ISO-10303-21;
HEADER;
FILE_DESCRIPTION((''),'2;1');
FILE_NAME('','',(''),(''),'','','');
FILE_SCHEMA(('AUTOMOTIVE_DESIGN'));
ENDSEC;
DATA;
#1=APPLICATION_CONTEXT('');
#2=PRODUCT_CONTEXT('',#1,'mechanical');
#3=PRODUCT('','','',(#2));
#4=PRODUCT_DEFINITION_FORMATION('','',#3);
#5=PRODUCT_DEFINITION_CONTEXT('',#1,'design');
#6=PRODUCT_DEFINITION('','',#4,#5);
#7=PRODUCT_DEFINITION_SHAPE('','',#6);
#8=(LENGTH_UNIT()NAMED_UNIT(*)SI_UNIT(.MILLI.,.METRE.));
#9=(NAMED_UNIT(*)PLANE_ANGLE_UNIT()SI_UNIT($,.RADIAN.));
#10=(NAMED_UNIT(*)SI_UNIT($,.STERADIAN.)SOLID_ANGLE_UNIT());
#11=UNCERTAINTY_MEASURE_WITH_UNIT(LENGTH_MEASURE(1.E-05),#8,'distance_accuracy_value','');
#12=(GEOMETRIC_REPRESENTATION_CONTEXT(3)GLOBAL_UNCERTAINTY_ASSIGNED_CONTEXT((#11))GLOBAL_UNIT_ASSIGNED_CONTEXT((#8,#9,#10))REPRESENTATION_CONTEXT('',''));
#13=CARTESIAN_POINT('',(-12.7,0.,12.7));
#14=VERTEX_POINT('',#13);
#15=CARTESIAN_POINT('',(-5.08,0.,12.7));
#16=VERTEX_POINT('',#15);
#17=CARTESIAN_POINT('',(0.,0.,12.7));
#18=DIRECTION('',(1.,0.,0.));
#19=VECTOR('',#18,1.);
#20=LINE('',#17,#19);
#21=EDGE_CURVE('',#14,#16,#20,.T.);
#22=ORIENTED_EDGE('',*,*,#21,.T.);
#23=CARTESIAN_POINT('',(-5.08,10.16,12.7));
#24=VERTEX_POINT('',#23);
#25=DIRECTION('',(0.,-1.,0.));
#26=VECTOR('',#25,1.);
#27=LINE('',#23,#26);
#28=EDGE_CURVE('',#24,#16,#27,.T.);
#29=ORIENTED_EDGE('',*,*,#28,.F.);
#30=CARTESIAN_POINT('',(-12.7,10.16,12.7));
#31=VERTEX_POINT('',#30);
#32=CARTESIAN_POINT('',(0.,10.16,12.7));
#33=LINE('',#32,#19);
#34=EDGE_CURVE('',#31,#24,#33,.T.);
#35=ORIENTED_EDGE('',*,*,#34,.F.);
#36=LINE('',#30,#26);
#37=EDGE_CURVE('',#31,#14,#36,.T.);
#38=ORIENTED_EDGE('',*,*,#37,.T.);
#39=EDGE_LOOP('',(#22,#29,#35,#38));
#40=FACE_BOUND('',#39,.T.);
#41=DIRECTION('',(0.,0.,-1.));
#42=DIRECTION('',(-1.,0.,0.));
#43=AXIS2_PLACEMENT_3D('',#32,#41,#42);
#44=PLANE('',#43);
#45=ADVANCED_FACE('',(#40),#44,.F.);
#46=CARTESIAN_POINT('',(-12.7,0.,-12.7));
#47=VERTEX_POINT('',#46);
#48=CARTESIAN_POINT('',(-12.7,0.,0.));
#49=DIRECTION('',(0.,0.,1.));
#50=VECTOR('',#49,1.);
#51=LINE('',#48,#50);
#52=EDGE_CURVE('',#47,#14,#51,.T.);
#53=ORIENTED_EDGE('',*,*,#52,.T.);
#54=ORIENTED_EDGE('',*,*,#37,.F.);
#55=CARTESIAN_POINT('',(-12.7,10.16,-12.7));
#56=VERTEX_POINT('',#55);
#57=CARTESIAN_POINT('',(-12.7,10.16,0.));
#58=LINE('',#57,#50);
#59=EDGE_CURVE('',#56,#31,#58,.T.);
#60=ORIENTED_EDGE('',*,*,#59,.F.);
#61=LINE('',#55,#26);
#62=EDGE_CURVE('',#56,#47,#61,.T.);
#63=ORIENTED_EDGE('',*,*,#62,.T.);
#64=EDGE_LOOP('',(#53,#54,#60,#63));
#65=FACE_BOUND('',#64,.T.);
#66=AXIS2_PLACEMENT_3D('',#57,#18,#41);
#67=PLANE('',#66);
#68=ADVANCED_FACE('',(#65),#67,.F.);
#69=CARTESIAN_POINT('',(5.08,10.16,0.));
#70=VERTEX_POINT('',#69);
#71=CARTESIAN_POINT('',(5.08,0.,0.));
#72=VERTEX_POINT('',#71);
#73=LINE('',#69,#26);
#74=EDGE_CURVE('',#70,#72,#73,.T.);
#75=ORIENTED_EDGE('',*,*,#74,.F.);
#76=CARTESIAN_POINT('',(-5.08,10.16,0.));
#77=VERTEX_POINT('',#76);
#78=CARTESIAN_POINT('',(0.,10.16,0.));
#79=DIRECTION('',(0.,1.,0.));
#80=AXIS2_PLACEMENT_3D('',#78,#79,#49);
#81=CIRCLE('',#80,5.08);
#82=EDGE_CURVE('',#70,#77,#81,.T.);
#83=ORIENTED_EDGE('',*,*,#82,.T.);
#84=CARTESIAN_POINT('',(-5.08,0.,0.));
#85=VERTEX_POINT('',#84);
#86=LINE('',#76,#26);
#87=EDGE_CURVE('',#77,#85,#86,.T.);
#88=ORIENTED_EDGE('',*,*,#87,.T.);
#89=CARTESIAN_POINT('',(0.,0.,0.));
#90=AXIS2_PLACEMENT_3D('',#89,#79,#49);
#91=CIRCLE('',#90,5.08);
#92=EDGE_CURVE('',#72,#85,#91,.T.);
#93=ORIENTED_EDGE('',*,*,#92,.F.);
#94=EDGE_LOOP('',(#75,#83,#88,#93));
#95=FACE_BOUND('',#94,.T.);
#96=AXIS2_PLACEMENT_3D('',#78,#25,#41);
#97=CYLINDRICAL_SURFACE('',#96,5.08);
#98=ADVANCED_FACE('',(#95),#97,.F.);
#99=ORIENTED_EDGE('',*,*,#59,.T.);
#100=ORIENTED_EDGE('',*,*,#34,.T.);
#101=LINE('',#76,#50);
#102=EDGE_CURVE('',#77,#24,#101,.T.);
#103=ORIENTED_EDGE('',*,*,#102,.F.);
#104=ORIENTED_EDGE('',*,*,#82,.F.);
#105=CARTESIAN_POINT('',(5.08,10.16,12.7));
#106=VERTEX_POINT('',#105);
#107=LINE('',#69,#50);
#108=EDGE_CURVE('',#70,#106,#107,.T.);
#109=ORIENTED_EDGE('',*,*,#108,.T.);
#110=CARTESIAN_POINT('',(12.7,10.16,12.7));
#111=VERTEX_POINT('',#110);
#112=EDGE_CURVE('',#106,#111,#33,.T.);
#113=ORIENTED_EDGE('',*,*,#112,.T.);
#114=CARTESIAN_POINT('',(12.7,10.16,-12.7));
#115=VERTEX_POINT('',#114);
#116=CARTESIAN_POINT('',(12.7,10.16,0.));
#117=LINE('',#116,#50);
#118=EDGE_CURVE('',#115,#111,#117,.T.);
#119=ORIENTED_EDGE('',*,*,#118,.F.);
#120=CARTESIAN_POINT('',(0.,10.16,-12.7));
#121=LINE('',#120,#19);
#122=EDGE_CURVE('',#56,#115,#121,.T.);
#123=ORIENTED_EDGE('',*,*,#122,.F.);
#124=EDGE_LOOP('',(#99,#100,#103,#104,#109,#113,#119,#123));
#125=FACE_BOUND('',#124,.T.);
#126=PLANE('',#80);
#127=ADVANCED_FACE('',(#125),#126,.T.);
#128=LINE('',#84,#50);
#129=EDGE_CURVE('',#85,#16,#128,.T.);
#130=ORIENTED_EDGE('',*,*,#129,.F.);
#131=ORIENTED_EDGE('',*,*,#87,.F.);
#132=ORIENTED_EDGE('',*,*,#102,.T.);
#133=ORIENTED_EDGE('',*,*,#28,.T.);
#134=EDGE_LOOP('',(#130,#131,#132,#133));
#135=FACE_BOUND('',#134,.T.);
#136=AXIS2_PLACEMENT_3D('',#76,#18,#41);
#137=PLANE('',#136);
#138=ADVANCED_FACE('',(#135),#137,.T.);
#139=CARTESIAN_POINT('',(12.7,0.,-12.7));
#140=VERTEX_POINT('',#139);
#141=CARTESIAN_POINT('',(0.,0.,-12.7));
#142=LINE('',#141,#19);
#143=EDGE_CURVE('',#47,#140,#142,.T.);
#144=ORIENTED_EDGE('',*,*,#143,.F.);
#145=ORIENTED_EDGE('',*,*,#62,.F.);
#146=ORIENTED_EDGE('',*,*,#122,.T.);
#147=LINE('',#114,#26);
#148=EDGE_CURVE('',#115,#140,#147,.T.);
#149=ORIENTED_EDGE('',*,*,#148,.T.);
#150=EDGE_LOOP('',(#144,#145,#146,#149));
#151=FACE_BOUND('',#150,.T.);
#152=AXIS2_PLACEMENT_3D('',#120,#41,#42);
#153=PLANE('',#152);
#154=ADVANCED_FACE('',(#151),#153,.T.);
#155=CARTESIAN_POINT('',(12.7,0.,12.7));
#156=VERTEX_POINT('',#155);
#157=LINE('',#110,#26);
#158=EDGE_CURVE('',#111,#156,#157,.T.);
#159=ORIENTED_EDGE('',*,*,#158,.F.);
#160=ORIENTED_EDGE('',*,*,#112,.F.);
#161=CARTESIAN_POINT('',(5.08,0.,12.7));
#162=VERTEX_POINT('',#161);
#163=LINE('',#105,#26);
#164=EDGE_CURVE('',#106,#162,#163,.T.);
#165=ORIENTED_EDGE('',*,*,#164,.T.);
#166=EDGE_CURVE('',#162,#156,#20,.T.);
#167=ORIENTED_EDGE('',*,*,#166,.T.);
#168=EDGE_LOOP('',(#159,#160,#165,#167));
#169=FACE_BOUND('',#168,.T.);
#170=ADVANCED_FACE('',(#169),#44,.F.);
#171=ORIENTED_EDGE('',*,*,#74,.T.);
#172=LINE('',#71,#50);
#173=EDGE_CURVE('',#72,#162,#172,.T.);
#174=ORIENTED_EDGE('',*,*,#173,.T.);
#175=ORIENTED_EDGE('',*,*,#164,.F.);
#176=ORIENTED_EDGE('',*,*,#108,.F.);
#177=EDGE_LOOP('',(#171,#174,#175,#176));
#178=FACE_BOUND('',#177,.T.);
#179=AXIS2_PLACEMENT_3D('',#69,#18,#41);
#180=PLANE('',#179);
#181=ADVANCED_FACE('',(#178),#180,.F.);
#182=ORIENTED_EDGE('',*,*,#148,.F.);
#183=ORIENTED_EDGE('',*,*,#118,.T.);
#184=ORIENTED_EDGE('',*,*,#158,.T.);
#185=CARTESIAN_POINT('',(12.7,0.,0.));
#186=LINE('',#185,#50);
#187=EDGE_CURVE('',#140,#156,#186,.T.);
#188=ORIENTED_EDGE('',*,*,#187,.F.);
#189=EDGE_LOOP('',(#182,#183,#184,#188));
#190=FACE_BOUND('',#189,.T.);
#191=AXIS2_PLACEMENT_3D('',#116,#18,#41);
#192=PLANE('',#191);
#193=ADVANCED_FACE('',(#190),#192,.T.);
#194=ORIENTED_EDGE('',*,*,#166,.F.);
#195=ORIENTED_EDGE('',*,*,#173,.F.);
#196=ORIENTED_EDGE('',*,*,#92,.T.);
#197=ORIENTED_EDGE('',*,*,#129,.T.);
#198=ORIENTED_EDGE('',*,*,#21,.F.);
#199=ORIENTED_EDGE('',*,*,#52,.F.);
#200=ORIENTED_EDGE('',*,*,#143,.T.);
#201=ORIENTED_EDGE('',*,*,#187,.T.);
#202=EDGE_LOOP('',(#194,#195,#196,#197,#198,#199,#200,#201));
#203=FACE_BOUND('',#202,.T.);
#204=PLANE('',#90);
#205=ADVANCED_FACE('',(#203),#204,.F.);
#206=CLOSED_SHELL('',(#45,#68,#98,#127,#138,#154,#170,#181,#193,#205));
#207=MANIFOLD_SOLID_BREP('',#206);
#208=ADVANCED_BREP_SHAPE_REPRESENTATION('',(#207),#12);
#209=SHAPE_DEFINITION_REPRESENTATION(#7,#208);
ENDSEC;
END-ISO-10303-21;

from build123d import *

# Parameters (mm, degrees)
BOSS_EXTRUDE1_DEPTH = 10.16


with BuildPart() as part:
    # Sketch1 → Boss-Extrude1 (new body)
    with BuildSketch(Plane(origin=(0, 0, 0), x_dir=(1, 0, 0), z_dir=(0, 1, 0))):
        with BuildLine():
            Line((-5.08, -12.7), (-5.08, 0))
            ThreePointArc((-5.08, 0), (0, 5.08), (5.08, 0))
            Line((5.08, 0), (5.08, -12.7))
            Line((5.08, -12.7), (12.7, -12.7))
            Line((12.7, -12.7), (12.7, 12.7))
            Line((12.7, 12.7), (-12.7, 12.7))
            Line((-12.7, 12.7), (-12.7, -12.7))
            Line((-12.7, -12.7), (-5.08, -12.7))
        make_face()
    extrude(amount=BOSS_EXTRUDE1_DEPTH)


solid = part.part
